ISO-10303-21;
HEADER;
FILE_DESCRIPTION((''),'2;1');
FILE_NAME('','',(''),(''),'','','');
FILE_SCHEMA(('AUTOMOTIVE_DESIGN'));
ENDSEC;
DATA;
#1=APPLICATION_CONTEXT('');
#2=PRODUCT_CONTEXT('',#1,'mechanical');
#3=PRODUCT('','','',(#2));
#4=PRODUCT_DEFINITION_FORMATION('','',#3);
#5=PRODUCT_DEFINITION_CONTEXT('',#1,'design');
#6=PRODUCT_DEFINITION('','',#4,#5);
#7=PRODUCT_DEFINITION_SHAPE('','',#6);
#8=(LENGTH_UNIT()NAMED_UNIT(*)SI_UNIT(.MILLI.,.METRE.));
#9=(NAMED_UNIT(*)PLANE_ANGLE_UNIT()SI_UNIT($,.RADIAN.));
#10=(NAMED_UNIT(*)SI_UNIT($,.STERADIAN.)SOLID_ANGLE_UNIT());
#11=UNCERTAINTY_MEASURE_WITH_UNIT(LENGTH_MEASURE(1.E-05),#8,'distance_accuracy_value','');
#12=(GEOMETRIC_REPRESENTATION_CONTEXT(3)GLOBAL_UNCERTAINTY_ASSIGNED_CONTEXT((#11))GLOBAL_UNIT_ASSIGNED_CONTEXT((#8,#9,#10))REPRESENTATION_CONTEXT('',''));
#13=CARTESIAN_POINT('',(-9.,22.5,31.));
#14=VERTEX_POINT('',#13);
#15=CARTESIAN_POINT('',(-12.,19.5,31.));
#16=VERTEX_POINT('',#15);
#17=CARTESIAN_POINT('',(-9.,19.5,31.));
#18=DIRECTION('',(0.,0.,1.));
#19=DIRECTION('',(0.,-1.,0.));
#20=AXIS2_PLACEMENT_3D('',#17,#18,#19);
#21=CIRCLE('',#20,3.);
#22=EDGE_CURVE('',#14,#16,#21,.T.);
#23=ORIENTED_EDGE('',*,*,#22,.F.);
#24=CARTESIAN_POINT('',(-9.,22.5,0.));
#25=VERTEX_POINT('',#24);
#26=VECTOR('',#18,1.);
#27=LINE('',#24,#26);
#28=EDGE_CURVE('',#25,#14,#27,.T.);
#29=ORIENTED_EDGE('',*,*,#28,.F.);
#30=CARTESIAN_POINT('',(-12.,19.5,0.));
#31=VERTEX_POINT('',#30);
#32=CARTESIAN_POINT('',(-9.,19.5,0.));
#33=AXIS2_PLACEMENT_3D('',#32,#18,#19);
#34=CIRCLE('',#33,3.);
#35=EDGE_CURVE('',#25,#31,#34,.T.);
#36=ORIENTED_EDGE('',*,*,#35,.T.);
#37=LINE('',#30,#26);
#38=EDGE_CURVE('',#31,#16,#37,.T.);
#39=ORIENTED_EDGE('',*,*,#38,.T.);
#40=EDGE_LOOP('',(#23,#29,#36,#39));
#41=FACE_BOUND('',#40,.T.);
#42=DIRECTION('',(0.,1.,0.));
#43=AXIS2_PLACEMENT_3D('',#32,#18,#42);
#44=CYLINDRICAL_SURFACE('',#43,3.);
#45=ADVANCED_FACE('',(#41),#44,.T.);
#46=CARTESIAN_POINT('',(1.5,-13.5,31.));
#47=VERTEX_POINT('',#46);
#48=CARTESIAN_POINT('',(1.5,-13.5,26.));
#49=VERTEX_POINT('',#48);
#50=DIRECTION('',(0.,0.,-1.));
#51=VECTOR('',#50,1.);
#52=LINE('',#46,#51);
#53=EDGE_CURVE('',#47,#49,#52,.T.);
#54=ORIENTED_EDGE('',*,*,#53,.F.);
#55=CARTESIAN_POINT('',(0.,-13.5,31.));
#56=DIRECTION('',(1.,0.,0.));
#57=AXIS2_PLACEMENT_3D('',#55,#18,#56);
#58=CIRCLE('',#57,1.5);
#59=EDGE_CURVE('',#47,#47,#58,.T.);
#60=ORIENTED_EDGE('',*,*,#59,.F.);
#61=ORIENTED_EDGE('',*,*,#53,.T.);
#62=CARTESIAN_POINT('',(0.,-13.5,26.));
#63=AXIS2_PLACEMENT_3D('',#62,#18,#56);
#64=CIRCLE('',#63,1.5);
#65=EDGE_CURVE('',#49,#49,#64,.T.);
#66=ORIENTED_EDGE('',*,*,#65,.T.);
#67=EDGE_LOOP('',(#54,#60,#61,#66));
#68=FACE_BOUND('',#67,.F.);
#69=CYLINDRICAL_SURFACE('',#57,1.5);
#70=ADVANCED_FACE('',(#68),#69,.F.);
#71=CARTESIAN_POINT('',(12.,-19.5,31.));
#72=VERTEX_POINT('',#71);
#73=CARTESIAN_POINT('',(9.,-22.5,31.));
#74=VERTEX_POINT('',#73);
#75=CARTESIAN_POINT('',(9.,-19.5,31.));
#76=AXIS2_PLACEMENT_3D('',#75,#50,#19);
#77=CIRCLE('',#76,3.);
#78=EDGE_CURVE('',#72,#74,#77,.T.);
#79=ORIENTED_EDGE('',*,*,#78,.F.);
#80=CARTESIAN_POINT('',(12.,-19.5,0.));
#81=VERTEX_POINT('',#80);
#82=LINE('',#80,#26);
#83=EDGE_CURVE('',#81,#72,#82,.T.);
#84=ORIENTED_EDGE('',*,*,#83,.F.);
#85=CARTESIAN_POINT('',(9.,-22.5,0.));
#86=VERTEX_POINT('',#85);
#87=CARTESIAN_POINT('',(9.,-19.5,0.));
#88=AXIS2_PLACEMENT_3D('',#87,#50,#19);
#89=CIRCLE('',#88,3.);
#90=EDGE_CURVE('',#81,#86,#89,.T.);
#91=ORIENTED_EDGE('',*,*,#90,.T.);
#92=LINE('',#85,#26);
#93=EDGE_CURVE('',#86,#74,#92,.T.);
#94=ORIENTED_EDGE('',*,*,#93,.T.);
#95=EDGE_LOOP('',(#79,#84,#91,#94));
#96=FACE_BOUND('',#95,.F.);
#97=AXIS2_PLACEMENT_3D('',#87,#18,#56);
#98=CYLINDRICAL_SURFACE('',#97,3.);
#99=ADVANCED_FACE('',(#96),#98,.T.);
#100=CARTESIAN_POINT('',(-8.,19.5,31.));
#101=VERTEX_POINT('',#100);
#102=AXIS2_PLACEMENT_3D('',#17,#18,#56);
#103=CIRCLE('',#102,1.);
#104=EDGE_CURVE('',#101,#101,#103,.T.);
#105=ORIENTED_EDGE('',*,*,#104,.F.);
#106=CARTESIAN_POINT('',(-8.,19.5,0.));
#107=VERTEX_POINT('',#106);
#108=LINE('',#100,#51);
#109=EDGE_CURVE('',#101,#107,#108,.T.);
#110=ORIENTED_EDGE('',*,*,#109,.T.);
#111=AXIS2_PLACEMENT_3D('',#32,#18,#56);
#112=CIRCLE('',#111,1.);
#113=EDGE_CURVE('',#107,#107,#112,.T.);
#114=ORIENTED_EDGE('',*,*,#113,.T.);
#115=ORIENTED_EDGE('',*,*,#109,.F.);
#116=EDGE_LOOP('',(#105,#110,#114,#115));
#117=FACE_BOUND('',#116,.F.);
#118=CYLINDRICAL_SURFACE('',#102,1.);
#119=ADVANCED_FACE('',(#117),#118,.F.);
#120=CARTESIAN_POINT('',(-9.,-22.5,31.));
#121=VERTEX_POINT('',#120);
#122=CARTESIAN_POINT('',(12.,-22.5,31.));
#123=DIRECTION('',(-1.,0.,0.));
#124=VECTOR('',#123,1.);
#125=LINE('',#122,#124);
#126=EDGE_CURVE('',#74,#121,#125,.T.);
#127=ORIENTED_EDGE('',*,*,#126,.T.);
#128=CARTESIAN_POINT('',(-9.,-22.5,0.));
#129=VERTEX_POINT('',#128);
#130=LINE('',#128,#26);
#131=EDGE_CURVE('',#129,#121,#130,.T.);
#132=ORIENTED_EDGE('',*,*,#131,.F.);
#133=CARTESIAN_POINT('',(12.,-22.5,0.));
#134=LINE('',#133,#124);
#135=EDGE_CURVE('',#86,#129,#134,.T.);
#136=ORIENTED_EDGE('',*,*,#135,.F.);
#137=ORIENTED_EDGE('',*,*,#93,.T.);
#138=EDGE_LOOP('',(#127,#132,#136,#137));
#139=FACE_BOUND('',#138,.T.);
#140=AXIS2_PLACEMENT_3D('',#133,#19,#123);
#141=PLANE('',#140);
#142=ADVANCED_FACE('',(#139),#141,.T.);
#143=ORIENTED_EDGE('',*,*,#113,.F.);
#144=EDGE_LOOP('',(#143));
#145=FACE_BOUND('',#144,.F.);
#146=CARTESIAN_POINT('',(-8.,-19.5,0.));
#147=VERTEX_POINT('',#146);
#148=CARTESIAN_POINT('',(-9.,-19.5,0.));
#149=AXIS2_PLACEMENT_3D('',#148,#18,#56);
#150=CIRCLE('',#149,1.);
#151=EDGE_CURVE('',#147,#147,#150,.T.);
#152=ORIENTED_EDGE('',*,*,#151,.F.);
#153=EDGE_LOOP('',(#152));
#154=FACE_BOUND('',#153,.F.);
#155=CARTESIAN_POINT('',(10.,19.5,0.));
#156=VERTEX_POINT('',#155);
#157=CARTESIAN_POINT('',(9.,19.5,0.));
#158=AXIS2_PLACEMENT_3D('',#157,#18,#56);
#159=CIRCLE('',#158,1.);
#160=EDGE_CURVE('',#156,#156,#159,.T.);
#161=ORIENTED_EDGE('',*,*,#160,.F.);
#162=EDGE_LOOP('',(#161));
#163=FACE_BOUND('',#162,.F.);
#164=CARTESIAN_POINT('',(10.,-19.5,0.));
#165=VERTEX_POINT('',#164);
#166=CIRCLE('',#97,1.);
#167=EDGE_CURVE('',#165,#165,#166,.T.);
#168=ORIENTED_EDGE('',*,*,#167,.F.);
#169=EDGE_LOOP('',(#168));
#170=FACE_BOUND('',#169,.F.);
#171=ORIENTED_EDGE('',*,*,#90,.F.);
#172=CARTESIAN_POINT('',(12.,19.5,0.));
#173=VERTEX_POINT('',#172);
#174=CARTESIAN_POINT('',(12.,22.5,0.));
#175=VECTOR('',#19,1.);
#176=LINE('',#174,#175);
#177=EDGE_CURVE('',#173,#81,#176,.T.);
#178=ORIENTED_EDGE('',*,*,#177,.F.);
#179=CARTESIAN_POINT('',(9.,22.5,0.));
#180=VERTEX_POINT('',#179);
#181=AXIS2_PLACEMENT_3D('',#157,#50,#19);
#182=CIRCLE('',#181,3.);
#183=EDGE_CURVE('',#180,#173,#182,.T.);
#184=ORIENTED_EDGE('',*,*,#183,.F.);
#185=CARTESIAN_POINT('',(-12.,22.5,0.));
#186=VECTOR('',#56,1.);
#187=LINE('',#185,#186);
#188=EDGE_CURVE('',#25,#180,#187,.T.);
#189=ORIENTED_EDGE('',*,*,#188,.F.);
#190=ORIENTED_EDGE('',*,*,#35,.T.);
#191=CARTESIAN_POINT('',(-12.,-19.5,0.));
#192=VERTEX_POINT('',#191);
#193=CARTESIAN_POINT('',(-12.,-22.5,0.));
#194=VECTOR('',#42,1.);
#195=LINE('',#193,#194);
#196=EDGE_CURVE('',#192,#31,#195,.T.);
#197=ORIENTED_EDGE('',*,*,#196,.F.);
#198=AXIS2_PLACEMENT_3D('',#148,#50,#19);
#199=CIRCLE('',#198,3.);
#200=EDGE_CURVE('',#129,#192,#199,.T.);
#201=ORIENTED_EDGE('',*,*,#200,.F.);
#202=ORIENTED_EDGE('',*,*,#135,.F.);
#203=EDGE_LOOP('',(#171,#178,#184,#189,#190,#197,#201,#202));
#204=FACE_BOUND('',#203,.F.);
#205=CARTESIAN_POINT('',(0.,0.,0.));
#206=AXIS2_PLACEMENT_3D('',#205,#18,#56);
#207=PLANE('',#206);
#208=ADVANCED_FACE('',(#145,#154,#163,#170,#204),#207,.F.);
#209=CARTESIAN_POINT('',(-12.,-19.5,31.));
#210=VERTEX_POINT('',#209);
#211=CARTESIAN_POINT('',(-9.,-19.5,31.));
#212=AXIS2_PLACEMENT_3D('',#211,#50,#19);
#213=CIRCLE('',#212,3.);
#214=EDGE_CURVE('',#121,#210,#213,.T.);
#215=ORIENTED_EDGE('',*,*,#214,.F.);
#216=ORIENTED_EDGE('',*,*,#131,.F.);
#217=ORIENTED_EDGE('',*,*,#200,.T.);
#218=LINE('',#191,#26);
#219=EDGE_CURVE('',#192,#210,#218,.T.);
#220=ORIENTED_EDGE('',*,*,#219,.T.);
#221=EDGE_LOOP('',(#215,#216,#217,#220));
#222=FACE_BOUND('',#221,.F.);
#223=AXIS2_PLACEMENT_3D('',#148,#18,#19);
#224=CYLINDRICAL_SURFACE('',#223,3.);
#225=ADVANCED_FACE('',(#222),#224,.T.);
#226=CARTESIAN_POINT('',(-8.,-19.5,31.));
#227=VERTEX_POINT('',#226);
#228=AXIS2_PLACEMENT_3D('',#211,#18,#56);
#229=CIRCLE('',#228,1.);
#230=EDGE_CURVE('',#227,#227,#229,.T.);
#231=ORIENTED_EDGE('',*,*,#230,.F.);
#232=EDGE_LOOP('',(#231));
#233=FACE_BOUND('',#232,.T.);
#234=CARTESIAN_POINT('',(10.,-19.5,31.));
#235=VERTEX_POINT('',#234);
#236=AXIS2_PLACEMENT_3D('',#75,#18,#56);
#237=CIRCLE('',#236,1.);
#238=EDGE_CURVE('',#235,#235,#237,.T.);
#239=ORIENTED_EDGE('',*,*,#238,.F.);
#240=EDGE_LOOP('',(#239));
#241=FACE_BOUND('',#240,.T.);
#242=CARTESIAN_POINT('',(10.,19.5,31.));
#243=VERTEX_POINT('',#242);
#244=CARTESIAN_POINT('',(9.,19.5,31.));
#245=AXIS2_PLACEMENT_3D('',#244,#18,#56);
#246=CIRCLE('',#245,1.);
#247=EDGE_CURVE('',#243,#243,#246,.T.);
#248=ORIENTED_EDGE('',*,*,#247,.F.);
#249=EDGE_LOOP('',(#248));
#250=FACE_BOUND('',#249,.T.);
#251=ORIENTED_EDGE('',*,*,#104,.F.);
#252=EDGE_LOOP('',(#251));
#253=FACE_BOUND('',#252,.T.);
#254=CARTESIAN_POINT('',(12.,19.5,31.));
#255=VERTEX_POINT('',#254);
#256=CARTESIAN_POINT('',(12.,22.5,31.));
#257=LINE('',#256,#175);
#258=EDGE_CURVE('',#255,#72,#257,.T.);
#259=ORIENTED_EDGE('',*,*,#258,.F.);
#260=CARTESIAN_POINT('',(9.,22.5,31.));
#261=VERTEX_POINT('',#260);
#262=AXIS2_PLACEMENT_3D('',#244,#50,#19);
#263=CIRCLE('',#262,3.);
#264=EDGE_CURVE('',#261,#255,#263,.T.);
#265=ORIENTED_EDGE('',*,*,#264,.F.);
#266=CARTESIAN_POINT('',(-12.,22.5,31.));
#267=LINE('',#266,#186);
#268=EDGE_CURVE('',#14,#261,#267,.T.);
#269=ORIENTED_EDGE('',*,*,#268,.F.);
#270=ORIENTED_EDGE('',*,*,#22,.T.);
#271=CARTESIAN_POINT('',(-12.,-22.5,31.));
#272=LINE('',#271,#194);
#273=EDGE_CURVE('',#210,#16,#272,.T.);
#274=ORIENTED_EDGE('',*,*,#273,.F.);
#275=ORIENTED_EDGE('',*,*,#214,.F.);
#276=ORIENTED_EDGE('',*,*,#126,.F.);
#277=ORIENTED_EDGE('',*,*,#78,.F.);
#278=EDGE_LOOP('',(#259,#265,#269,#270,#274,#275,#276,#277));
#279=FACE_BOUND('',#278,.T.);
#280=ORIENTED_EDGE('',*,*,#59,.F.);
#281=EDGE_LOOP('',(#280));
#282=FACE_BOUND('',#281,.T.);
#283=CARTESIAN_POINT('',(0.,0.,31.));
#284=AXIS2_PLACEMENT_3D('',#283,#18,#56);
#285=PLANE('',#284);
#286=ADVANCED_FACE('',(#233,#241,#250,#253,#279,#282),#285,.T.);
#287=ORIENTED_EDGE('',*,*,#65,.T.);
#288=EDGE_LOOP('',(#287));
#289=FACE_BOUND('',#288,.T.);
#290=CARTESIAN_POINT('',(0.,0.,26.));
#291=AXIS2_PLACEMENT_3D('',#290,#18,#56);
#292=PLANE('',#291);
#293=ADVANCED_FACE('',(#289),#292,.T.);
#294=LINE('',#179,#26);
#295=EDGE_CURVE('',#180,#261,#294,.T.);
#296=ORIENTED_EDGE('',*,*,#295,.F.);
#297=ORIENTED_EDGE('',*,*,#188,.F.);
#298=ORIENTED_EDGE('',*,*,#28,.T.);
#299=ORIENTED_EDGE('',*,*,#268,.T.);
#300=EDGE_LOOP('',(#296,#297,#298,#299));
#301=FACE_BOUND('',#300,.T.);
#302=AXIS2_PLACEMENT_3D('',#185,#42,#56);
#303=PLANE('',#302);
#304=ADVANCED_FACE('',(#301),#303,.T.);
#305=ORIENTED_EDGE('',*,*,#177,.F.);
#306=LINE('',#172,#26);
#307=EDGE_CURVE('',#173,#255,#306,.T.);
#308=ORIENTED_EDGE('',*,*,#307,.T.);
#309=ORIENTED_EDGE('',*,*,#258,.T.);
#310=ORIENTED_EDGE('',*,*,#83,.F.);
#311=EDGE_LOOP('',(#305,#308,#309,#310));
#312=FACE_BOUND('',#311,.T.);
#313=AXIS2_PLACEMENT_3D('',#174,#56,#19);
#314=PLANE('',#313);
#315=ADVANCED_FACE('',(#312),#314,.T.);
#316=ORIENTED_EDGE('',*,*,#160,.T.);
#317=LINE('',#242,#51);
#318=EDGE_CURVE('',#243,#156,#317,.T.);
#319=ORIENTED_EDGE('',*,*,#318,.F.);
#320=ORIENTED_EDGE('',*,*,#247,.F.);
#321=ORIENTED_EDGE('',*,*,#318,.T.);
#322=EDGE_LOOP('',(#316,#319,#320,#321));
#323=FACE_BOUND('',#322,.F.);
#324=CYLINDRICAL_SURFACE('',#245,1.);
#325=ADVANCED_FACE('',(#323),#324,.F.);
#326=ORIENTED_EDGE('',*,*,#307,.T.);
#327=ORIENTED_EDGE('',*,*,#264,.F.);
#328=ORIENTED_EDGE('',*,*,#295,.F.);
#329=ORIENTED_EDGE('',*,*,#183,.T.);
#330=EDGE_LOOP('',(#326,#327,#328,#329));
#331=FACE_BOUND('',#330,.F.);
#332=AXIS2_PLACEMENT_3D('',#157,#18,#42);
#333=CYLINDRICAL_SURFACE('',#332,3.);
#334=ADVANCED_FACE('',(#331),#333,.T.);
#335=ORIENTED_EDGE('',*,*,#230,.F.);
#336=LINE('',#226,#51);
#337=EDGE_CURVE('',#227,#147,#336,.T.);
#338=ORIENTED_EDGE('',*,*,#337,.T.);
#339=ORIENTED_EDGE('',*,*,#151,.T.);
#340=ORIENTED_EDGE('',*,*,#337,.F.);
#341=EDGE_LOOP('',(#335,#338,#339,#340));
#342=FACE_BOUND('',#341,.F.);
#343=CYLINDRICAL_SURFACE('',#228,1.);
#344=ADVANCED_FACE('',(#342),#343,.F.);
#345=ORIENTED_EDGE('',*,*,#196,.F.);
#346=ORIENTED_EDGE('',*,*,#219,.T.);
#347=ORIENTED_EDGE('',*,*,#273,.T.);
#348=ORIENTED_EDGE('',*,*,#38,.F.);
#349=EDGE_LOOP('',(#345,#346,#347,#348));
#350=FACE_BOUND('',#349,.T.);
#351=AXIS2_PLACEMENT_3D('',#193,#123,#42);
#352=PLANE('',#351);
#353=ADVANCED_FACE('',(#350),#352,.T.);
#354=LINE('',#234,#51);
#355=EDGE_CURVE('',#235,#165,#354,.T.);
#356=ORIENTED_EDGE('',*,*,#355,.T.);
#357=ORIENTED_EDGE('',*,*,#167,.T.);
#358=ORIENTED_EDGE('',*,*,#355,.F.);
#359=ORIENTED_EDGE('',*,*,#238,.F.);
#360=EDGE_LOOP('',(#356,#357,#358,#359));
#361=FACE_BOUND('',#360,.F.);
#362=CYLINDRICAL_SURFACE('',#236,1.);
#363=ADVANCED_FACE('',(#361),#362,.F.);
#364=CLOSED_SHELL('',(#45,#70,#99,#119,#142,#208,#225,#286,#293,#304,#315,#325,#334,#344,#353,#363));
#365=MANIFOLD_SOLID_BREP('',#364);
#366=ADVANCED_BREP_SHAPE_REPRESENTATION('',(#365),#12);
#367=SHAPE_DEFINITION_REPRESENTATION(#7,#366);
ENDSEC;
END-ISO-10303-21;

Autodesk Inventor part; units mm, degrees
ref_plane "YZ Plane" through (0, 0, 0) normal (1, 0, 0) x (0, 1, 0)
ref_plane "XZ Plane" through (0, 0, 0) normal (0, 1, 0) x (-1, 0, 0)
ref_plane "XY Plane" through (0, 0, 0) normal (0, 0, 1) x (1, 0, 0)
sketch "Sketch1" plane through (0, 0, 0) normal (0, 0, 1) x (1, 0, 0)
  line L0 (-12, 22.5) -> (12, 22.5)
  line L1 (12, 22.5) -> (12, -22.5)
  line L2 (12, -22.5) -> (-12, -22.5)
  line L3 (-12, -22.5) -> (-12, 22.5)
  point P0 (0, 0)
  point P1 (12, 0)
  point P2 (0, 22.5)
  dimension "d0" = 24
  dimension "d1" = 45
extrude "Extrusion1" add sketch "Sketch1" along normal blind 31
fillet "Fillet1" radius 3 4 edges at (12, 22.5, 15.5) (-12, 22.5, 15.5) (12, -22.5, 15.5) (-12, -22.5, 15.5)
sketch "Sketch3" plane through (0, 0, 31) normal (0, 0, 1) x (1, 0, 0)
  line L0 (0, -22.5) -> (0, -13.5) construction
  circle A0 centre (0, -13.5) radius 1.5
  point P0 (0, 0)
  dimension "d8" = 9
  dimension "d9" = 3
extrude "Extrusion3" cut sketch "Sketch3" against normal blind 5
sketch "Sketch4" plane through (0, 0, 31) normal (0, 0, 1) x (1, 0, 0)
  circle A0 centre (-9, 19.5) radius 1
  circle A1 centre (9, 19.5) radius 1
  circle A2 centre (-9, -19.5) radius 1
  circle A3 centre (9, -19.5) radius 1
  line L0 (-12, 19.5) -> (-12, -19.5) projected
  line L1 (9, 22.5) -> (-9, 22.5) projected
  line L2 (12, -19.5) -> (12, 19.5) projected
  line L3 (-9, -22.5) -> (9, -22.5) projected
  point P0 (0, 0)
  dimension "d12" = 2
  dimension "d13" = 3
  dimension "d14" = 3
  dimension "d15" = 3
  dimension "d16" = 3
  dimension "d17" = 3
  dimension "d18" = 3
  dimension "d19" = 3
  dimension "d20" = 3
  dimension "d21" = 2
  dimension "d22" = 2
  dimension "d23" = 2
extrude "Extrusion4" cut sketch "Sketch4" against normal up to surface (31 mm away)
properties part number "herkulex"
